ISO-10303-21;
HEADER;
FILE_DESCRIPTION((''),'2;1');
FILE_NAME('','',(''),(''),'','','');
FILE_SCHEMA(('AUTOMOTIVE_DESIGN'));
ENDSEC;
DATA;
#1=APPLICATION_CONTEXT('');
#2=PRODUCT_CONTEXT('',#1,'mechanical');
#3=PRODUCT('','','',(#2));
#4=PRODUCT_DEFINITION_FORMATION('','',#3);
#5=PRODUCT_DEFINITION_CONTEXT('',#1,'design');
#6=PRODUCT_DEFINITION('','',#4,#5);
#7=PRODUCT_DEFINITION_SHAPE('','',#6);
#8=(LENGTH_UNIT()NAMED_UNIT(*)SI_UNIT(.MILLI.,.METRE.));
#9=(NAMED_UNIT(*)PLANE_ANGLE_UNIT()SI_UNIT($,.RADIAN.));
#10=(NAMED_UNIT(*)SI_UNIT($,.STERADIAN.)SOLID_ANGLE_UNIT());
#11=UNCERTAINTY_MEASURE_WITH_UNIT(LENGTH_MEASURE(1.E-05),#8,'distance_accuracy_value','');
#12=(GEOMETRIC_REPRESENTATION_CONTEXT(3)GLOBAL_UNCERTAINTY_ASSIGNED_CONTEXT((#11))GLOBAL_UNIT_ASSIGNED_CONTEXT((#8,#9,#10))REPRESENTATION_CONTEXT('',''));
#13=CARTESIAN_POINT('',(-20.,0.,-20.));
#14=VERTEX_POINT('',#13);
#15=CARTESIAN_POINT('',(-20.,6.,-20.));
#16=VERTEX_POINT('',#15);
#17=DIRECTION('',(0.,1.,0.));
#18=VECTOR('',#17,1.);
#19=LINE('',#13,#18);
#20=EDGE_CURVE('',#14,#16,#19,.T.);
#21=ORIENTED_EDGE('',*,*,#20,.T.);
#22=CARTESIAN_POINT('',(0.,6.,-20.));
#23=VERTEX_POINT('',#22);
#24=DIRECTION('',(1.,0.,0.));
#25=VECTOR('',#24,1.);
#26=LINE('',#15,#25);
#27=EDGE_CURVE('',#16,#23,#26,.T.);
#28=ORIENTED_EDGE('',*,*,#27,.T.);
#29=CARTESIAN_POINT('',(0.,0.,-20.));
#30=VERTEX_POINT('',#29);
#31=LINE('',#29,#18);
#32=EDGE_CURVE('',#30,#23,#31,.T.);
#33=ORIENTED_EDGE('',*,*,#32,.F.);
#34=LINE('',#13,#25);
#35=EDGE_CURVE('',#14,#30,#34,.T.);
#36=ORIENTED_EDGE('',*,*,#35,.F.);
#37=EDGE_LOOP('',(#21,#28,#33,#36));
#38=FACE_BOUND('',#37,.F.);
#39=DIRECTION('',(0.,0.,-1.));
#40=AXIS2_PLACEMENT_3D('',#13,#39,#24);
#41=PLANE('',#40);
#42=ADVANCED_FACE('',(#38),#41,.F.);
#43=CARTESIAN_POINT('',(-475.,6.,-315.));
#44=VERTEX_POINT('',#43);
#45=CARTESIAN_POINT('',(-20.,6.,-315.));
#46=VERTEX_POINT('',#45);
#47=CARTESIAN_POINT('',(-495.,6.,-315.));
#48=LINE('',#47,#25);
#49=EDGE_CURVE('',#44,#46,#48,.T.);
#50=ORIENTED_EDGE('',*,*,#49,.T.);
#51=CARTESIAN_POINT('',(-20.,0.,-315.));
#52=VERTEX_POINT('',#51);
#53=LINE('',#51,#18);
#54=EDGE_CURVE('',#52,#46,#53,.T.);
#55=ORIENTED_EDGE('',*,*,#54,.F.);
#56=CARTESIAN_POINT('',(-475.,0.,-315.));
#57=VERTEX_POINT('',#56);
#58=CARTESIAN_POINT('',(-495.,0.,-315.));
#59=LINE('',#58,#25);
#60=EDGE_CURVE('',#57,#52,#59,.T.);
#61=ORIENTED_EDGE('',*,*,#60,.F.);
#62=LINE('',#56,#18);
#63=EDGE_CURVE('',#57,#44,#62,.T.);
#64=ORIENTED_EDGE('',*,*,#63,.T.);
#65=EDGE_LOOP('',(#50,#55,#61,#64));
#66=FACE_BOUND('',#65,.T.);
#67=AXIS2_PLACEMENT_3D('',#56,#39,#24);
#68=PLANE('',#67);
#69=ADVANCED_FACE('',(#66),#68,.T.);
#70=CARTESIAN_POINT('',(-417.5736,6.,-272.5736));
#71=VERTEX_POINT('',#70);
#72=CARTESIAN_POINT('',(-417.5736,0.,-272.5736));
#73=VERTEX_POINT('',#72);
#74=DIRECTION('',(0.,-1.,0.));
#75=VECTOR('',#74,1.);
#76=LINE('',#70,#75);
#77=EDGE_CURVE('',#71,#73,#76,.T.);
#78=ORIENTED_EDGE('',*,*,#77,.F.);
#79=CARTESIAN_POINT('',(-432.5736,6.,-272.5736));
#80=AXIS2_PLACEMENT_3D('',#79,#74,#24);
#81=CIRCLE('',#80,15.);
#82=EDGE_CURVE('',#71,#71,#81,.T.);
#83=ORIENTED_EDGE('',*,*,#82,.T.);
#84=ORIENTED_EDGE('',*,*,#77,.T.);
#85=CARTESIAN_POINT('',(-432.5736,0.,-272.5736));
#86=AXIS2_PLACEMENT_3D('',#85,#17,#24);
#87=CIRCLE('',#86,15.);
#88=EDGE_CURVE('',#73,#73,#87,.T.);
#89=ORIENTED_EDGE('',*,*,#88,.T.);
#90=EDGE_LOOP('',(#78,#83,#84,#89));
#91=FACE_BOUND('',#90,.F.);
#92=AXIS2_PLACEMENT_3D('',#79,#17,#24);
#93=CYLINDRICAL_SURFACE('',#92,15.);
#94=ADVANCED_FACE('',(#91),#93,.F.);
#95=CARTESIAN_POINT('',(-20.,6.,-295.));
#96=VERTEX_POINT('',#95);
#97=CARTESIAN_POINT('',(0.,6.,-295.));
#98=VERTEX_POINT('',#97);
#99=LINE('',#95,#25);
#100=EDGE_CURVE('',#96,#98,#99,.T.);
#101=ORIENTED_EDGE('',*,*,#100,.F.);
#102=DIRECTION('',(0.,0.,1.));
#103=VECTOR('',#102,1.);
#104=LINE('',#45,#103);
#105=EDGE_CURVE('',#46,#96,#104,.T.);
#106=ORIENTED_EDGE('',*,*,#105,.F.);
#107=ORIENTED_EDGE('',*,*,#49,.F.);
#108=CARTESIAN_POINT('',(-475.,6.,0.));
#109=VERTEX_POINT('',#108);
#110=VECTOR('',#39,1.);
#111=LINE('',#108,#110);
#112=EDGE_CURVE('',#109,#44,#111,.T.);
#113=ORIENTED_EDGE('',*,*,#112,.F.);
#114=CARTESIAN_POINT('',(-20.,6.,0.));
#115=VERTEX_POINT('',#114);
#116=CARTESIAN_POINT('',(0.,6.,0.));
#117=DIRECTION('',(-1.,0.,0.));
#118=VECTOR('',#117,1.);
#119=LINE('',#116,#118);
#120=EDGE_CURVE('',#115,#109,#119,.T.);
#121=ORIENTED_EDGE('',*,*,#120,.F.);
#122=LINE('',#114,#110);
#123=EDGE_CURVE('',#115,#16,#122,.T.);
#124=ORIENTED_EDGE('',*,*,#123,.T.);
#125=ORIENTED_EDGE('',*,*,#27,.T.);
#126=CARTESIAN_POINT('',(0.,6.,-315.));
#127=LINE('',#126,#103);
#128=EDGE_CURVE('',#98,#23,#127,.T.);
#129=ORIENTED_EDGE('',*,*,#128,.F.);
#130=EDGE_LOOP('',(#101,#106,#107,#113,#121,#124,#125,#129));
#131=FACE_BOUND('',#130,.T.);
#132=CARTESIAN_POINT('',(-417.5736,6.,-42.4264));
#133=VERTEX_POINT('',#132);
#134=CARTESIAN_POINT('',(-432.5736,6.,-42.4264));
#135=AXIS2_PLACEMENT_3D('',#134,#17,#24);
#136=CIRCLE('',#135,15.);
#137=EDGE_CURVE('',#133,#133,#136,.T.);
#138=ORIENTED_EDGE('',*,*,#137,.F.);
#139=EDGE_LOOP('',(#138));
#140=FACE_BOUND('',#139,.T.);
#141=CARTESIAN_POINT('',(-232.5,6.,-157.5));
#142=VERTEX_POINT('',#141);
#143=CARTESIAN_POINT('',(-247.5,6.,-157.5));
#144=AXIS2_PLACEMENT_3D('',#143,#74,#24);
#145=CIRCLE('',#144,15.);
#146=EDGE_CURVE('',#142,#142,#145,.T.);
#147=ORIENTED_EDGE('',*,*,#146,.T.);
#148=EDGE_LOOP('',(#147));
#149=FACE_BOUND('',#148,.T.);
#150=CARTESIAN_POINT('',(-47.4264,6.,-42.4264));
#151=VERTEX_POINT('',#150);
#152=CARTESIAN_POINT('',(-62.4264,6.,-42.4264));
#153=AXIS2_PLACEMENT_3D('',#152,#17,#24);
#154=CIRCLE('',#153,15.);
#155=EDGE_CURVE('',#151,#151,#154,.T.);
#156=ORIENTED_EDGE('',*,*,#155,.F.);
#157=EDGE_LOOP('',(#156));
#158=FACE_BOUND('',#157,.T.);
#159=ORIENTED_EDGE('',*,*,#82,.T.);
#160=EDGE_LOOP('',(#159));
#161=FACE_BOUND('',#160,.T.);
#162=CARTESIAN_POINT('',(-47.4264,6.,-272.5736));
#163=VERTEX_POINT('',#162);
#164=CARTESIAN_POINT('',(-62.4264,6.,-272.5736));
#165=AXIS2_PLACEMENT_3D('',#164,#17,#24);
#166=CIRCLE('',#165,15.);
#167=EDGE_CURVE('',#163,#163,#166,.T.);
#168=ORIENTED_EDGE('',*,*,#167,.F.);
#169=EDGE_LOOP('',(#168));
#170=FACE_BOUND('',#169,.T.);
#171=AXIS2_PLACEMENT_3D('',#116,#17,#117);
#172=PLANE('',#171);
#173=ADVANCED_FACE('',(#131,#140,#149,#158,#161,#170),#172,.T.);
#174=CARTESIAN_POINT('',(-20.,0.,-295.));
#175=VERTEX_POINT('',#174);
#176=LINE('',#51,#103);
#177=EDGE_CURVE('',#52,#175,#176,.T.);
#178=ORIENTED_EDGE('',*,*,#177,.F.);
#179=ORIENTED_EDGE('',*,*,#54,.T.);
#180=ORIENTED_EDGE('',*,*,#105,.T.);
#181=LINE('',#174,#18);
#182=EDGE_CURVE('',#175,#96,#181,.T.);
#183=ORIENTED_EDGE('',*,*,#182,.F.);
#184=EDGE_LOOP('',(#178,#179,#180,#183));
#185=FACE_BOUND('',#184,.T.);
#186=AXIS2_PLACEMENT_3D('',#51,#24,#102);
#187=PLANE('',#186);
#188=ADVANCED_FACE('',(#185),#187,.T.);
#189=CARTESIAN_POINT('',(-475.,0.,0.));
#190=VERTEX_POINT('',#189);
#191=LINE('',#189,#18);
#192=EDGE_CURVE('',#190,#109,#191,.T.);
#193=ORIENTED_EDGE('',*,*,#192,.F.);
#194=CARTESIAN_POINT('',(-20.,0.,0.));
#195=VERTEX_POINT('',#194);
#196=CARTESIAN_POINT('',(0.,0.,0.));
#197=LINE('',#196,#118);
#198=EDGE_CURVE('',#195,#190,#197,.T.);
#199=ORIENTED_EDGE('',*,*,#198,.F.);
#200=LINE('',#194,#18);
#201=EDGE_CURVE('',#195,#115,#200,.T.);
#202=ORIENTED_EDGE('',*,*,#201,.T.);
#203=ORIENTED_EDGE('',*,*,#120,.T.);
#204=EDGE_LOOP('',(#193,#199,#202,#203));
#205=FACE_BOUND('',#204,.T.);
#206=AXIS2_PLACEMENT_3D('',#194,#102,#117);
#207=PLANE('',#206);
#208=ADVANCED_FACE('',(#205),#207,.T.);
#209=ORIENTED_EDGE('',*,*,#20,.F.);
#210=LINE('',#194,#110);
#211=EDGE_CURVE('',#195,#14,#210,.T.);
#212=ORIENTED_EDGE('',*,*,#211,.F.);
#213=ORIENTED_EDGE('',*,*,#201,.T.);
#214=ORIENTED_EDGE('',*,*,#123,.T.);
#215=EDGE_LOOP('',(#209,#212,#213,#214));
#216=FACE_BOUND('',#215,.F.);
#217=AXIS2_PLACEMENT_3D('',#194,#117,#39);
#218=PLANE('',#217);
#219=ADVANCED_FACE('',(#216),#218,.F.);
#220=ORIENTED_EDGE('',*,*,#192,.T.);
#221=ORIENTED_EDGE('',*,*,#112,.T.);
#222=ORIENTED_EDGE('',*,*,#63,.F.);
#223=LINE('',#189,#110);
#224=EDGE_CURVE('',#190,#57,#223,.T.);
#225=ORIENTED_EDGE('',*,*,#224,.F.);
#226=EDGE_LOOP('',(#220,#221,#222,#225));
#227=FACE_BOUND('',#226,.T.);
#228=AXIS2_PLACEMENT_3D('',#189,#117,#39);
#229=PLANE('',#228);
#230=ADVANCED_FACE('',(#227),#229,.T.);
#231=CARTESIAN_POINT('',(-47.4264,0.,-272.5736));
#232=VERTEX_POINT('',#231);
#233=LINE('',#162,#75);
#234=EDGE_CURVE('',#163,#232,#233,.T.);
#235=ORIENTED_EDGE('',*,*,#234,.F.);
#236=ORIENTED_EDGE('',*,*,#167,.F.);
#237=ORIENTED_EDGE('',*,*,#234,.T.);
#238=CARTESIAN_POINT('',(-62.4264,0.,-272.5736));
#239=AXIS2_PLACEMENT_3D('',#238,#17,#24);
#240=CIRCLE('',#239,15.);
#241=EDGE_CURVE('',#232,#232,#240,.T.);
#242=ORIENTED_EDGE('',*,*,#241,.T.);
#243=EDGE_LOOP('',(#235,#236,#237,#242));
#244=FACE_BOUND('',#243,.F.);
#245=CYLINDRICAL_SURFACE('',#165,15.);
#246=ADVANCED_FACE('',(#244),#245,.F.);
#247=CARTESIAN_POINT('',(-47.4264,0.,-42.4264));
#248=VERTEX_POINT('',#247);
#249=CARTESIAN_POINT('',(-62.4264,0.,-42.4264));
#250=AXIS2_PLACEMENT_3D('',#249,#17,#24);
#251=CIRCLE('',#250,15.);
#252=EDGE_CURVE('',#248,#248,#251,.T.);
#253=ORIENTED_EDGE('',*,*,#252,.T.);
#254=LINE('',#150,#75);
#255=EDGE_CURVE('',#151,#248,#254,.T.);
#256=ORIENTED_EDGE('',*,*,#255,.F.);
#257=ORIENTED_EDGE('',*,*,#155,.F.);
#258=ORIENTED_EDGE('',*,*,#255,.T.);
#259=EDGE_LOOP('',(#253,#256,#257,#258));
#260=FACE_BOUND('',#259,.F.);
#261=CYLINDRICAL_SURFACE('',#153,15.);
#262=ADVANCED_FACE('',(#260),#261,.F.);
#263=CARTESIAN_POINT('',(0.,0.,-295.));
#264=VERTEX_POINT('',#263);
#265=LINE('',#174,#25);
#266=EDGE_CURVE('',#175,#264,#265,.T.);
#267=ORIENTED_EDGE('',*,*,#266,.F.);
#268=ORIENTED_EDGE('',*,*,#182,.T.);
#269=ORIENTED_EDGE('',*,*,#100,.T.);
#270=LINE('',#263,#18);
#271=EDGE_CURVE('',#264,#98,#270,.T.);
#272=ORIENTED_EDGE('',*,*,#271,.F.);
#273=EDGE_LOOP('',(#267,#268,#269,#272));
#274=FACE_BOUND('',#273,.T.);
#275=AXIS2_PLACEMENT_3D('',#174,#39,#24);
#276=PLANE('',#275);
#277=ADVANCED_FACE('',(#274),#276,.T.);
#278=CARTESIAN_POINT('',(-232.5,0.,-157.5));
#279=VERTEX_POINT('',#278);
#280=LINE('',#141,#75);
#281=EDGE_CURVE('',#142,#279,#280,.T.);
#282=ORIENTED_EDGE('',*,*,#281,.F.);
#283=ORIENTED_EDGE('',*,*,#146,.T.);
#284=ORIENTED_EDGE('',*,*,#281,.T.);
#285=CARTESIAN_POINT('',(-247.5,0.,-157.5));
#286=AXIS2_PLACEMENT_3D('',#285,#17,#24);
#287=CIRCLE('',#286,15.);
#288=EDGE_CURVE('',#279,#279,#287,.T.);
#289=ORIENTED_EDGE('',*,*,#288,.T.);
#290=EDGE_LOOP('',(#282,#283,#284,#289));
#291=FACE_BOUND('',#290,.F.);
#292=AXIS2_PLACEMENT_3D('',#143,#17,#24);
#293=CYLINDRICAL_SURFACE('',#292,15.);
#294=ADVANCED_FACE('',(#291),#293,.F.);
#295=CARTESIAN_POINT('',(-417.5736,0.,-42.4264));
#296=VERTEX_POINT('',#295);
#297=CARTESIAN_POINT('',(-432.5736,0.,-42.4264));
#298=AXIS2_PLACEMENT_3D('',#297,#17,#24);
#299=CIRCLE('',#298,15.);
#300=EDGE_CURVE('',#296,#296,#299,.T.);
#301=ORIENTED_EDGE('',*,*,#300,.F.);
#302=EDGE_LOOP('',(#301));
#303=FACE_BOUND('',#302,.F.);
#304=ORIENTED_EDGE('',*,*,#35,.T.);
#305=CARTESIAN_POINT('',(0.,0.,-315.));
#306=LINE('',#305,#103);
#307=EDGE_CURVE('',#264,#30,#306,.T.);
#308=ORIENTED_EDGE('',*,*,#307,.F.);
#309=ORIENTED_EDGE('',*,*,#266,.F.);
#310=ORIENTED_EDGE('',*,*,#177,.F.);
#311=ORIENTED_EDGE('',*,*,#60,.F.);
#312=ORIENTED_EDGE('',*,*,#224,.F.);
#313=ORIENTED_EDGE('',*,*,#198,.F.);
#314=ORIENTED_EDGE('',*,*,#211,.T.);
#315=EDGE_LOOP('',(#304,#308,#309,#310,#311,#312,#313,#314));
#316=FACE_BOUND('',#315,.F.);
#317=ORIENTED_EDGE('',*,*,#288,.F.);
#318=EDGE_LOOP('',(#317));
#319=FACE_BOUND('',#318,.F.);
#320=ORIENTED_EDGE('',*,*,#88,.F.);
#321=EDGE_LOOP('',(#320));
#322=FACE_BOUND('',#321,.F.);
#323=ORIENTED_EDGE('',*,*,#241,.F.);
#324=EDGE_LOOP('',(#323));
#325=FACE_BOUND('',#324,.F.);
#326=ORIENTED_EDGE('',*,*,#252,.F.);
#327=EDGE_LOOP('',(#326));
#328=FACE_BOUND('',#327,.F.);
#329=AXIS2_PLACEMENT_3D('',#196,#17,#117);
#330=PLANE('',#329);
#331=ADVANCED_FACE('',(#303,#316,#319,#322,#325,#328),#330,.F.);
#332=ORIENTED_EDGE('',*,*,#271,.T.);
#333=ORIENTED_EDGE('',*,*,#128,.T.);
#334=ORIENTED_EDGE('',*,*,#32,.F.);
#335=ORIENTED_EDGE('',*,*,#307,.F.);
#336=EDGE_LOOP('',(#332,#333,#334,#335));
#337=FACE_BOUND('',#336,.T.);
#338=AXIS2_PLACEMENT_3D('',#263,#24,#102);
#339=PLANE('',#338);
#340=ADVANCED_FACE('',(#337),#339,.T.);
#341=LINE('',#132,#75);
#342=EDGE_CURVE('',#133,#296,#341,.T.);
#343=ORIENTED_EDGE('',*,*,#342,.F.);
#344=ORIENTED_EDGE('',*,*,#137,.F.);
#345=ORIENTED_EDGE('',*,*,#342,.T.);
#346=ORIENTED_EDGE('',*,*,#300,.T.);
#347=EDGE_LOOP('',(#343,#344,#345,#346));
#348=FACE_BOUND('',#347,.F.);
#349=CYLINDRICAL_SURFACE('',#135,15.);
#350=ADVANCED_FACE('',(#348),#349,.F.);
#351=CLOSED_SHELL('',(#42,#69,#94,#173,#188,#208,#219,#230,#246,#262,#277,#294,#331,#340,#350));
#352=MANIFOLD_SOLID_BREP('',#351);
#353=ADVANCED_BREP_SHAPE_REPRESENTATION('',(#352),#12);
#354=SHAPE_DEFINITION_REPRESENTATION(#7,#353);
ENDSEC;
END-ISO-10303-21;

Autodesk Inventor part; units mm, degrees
ref_plane "YZ Plane" through (0, 0, 0) normal (1, 0, 0) x (0, 1, 0)
ref_plane "XZ Plane" through (0, 0, 0) normal (0, 1, 0) x (-1, 0, 0)
ref_plane "XY Plane" through (0, 0, 0) normal (0, 0, 1) x (1, 0, 0)
sketch "Esboço1" plane through (0, 0, 0) normal (0, 1, 0) x (-1, 0, 0)
  line L0 (0, 0) -> (495, 0)
  line L1 (495, 0) -> (495, -315)
  line L2 (495, -315) -> (0, -315)
  line L3 (0, -315) -> (0, 0)
  line L4 (495, 0) -> (475, 0)
  line L5 (475, 0) -> (475, -315)
  line L6 (475, -315) -> (495, -315)
  line L7 (495, -315) -> (495, 0)
  line L8 (0, 0) -> (20, 0)
  line L9 (20, 0) -> (20, -20)
  line L10 (20, -20) -> (0, -20)
  line L11 (0, -20) -> (0, 0)
  line L12 (0, -315) -> (20, -315)
  line L13 (20, -315) -> (20, -295)
  line L14 (20, -295) -> (0, -295)
  line L15 (0, -295) -> (0, -315)
  dimension "d0" = 495
  dimension "d1" = 315
  dimension "d2" = 20
  dimension "d3" = 20
  dimension "d4" = 20
  dimension "d5" = 20
extrude "Extrusão1" add sketch "Esboço1" along normal blind 6 contours L0 L5 L2 L13 L14 L3 L10 L9
sketch "Esboço2" plane through (0, 6, 0) normal (0, 1, 0) x (1, 0, 0)
  line L0 (-475, 315) -> (-475, 0) projected
  line L1 (-475, 315) -> (-432.5736, 272.5736)
  line L2 (-475, 315) -> (-415, 315) construction
  circle A0 centre (-432.5736, 272.5736) radius 15
  line L3 (-475, 157.5) -> (-417.5736, 157.5)
  circle A1 centre (-432.5736, 42.4264) radius 15
  line L4 (-475, 0) -> (-20, 0) projected
  line L5 (-247.5, 0) -> (-247.5, 64.8127)
  circle A2 centre (-62.4264, 272.5736) radius 15
  circle A3 centre (-62.4264, 42.4264) radius 15
  line L6 (-417.5736, 157.5) -> (-161.5581, 157.5)
  line L7 (-247.5, 64.8127) -> (-247.5, 157.5)
  circle A4 centre (-247.5, 157.5) radius 15
  point P0 (0, 0)
  dimension "d8" = 60
  dimension "d9" = 45
  dimension "d10" = 30
  dimension "d11" = 30
extrude "Extrusão2" cut sketch "Esboço2" against normal blind 6 contours A0 | A4 L6 | L6 L7 A4 | L6 A4 L7 | A1 | A2 | A3
properties part number "Prateleira"
